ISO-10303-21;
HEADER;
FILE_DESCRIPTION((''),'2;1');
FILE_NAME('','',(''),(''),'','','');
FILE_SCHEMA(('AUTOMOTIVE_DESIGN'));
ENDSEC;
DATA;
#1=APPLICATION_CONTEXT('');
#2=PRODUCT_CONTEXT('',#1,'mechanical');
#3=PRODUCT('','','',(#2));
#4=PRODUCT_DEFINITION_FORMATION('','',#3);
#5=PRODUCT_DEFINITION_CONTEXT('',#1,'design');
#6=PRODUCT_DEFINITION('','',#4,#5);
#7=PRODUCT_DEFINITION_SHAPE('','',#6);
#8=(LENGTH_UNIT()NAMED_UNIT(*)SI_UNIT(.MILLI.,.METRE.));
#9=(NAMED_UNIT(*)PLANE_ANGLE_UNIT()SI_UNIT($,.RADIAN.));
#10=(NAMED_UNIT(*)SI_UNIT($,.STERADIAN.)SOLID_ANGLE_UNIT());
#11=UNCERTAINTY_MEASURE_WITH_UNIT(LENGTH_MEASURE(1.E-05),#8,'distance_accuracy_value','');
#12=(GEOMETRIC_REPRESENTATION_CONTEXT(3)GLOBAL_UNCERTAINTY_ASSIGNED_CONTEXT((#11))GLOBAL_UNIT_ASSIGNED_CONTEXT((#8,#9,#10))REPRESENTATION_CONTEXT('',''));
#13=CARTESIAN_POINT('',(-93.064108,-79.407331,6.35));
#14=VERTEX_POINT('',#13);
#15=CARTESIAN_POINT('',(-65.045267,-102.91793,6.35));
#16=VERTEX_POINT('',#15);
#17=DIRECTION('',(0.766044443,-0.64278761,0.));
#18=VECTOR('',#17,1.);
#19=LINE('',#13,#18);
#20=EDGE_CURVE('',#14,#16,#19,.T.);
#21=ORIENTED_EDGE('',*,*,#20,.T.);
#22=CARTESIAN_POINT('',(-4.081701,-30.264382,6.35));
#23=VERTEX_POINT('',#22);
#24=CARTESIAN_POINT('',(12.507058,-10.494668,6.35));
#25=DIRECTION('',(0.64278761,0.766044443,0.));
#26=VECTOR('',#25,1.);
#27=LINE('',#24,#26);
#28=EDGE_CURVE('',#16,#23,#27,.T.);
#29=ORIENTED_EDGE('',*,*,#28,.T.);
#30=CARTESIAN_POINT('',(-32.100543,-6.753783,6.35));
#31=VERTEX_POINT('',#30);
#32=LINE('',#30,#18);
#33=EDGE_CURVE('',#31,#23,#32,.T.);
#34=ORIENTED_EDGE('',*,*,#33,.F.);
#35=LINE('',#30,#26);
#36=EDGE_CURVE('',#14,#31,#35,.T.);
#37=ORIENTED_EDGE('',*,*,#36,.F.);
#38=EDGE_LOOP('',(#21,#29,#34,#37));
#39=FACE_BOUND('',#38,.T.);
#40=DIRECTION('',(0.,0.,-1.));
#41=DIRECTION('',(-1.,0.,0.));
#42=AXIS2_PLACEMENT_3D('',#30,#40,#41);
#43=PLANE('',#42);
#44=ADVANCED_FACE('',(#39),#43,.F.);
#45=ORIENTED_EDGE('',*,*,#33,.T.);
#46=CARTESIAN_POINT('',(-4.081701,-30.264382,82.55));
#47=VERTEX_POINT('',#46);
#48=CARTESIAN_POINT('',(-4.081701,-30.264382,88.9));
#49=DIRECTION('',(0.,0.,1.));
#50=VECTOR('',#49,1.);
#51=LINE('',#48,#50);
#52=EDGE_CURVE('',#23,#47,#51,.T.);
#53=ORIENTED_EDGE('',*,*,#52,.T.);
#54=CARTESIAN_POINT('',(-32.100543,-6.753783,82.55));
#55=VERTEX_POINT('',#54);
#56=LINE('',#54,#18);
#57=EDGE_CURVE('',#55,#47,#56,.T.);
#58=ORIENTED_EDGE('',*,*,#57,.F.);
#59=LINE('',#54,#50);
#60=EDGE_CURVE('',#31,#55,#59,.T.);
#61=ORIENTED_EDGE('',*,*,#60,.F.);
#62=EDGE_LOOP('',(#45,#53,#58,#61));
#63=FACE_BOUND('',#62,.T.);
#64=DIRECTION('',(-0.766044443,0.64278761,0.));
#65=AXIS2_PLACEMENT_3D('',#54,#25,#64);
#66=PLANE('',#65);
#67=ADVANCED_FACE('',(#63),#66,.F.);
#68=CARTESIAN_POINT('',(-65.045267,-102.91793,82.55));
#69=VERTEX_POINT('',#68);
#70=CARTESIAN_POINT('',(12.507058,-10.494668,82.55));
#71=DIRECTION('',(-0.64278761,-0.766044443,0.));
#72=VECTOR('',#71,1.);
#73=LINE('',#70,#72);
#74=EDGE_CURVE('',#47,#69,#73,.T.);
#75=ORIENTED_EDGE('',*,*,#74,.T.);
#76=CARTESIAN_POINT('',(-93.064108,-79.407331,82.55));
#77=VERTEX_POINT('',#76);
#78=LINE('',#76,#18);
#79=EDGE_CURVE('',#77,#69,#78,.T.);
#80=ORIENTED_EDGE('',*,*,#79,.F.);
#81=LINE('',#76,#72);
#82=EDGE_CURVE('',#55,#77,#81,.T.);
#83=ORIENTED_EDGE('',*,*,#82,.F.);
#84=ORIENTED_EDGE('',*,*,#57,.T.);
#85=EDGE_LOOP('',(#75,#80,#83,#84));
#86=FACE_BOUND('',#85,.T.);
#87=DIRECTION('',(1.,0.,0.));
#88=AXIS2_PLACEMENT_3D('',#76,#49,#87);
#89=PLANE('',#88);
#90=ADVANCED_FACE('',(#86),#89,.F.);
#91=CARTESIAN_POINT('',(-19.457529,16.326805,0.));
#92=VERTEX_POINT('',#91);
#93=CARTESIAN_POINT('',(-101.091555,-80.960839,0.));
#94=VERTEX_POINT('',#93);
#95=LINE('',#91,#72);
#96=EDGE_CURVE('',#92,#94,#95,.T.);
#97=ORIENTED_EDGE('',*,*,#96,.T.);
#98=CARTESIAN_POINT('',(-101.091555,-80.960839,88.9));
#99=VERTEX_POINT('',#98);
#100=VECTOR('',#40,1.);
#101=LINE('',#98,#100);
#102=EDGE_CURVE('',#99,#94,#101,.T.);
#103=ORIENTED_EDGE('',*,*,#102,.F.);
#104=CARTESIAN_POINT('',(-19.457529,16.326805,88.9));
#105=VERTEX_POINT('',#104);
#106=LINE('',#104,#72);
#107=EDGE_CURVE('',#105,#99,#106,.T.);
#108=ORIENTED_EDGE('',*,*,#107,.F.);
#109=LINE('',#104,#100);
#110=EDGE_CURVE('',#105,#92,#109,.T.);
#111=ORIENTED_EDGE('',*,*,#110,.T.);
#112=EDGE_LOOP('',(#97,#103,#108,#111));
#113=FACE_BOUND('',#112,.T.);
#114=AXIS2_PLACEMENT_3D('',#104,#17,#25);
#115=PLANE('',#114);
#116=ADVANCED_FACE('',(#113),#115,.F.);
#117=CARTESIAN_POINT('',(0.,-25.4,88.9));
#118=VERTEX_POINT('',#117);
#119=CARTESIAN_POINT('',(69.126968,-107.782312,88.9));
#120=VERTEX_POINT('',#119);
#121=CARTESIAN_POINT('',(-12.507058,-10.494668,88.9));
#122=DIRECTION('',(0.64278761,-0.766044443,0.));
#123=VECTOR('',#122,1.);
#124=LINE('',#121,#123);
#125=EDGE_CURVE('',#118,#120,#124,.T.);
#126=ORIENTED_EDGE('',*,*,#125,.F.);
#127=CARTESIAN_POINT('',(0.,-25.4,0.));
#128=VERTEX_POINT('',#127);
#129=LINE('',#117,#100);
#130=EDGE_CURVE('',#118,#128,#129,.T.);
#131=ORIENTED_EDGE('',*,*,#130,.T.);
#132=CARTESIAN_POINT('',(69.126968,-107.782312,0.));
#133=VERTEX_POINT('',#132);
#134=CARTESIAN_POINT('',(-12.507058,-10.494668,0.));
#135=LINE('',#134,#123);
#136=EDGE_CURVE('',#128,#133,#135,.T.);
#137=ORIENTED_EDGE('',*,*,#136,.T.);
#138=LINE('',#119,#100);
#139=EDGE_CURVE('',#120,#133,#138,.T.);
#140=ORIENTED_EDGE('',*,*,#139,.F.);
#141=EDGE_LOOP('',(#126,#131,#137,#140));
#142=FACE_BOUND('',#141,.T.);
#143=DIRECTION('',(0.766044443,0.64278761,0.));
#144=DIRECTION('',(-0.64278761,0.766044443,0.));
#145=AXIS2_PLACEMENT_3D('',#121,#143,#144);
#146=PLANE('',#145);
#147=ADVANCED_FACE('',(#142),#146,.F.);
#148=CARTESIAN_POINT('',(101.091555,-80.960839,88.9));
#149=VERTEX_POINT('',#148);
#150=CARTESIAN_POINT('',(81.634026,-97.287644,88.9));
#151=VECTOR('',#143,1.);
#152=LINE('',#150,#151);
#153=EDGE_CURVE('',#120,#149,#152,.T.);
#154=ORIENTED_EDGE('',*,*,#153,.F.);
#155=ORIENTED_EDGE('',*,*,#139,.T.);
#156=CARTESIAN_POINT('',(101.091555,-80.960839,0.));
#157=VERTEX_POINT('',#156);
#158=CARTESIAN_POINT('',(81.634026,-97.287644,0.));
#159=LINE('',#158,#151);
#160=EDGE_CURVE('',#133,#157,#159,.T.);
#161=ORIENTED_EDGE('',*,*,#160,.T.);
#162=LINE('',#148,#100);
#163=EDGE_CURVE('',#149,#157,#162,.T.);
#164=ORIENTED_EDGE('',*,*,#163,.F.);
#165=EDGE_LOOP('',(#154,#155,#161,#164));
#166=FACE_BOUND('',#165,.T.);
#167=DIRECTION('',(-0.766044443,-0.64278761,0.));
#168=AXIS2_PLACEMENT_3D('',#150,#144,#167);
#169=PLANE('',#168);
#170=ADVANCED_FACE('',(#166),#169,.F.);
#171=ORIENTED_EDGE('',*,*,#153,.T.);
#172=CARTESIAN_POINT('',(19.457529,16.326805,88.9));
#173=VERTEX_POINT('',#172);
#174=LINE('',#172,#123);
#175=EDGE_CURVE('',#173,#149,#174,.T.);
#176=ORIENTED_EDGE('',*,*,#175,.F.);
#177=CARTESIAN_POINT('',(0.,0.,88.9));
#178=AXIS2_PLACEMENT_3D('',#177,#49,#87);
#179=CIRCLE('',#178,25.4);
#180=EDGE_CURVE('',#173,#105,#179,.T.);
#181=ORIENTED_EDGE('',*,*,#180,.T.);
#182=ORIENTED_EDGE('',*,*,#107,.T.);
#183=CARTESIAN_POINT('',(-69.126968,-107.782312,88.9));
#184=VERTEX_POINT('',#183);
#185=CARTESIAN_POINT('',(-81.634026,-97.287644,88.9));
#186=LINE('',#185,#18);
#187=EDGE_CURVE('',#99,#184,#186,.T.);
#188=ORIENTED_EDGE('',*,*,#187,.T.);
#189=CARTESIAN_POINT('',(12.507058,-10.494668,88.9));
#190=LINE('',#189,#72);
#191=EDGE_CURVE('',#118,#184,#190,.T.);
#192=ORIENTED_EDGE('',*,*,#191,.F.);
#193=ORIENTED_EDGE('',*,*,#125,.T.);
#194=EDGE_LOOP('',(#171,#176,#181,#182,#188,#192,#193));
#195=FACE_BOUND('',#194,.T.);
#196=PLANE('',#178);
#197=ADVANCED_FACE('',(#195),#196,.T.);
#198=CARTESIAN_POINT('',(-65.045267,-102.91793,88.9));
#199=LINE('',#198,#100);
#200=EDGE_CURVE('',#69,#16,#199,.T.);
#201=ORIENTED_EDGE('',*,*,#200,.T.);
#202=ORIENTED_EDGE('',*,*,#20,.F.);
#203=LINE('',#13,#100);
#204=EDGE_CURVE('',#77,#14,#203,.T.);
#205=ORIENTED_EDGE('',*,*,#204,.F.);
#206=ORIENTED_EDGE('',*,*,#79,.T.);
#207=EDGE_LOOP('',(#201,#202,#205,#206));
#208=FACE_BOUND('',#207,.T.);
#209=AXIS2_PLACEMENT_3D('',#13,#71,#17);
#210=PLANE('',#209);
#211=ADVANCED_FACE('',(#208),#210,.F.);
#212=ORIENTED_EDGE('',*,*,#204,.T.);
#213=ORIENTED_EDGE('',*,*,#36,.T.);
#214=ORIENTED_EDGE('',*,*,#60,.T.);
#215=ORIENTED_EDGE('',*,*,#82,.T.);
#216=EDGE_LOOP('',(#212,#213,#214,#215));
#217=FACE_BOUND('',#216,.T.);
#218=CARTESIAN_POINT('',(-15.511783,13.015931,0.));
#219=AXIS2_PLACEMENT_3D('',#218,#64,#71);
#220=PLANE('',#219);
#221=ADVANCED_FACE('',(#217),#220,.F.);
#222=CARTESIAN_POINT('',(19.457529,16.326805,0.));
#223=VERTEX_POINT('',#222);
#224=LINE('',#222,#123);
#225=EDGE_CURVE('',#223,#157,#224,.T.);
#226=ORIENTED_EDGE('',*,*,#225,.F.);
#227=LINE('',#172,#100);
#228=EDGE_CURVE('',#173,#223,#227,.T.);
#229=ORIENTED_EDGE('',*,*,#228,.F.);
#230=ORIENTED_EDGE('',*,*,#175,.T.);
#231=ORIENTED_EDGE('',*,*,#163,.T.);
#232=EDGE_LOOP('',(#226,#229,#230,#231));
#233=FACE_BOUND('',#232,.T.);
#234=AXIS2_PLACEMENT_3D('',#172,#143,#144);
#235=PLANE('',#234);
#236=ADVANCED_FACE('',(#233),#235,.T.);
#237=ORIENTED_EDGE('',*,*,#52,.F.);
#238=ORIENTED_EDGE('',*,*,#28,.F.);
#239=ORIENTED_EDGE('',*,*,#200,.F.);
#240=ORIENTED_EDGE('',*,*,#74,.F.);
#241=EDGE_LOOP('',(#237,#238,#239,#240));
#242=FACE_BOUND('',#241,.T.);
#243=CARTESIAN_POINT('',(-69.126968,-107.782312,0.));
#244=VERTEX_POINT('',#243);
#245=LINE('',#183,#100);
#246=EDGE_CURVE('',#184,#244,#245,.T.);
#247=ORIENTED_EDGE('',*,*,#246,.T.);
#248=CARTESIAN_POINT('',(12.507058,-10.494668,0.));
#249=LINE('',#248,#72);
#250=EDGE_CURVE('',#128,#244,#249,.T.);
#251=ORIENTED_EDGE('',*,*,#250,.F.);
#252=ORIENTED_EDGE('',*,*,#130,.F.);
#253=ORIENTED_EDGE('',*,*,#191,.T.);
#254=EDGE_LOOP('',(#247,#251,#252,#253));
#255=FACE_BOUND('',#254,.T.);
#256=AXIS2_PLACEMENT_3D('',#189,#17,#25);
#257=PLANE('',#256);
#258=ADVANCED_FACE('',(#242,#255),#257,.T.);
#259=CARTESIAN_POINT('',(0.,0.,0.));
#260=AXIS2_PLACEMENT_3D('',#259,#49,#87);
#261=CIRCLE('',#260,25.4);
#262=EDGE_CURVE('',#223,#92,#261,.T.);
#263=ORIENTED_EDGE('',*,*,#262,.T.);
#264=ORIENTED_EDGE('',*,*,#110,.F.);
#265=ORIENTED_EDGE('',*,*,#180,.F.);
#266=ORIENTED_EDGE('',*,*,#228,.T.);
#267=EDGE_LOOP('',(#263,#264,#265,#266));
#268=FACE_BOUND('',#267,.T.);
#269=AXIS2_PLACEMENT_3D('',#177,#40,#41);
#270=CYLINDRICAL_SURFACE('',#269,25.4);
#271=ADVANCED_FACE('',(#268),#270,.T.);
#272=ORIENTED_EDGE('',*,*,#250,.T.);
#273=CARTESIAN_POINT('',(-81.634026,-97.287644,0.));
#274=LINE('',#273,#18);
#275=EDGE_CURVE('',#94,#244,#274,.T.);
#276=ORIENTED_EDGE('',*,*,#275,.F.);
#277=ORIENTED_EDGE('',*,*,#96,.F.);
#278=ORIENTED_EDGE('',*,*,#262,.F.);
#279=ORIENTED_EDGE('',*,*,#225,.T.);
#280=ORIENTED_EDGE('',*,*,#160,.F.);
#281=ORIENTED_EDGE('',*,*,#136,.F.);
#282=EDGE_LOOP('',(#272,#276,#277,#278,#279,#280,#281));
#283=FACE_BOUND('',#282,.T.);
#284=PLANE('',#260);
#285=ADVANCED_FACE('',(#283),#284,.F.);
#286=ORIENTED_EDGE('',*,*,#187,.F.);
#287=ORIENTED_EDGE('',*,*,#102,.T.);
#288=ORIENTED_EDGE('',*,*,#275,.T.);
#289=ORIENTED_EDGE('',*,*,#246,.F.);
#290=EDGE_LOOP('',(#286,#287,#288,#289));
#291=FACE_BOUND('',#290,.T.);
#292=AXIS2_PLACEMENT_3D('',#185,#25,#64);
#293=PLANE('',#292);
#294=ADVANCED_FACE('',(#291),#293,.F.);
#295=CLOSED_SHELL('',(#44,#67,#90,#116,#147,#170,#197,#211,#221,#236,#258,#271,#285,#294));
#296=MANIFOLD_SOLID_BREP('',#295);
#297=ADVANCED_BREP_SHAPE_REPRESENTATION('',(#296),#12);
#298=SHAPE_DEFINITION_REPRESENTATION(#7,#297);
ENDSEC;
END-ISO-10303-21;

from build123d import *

# Parameters (mm, degrees)
BOSS_EXTRUDE1_DEPTH     = 88.9
CUT_EXTRUDE1_DEPTH      = 3.048
CUT_EXTRUDE1_DEPTH_BACK = 36.576
SKETCH3_W               = 76.2
SKETCH3_H               = 94.842471145


with BuildPart() as part:
    # Sketch1 → Boss-Extrude1 (new body)
    with BuildSketch(Plane.XY):
        with BuildLine():
            ThreePointArc((25.4, 0), (17.960512242, -17.960512242), (0, -25.4))
            Line((0, -25.4), (69.126967967, -107.78231242))
            Line((69.126967967, -107.78231242), (101.091555285, -80.96083899))
            Line((101.091555285, -80.96083899), (19.457528855, 16.326805286))
            ThreePointArc((19.457528855, 16.326805286), (23.868192568, 8.68731164), (25.4, 0))
        make_face()
        with BuildLine():
            ThreePointArc((19.457528855, 16.326805286), (0, 25.4), (-19.457528855, 16.326805286))
            Line((-19.457528855, 16.326805286), (0, 0))
            Line((0, 0), (19.457528855, 16.326805286))
        make_face()
        with BuildLine():
            Line((12.507058463, -10.494668144), (0, -25.4))
            ThreePointArc((0, -25.4), (17.960512242, -17.960512242), (25.4, 0))
            ThreePointArc((25.4, 0), (23.868192568, 8.68731164), (19.457528855, 16.326805286))
            Line((19.457528855, 16.326805286), (0, 0))
            Line((0, 0), (12.507058463, -10.494668144))
        make_face()
        Polygon((-12.507058463, -10.494668144), (0, -25.4), (12.507058463, -10.494668144), (0, 0), align=None)
        with BuildLine():
            ThreePointArc((-19.457528855, 16.326805286), (-23.020217791, -10.734503848), (0, -25.4))
            Line((0, -25.4), (-12.507058463, -10.494668144))
            Line((-12.507058463, -10.494668144), (0, 0))
            Line((0, 0), (-19.457528855, 16.326805286))
        make_face()
        with BuildLine():
            Line((-69.126967967, -107.78231242), (0, -25.4))
            ThreePointArc((0, -25.4), (-23.020217791, -10.734503848), (-19.457528855, 16.326805286))
            Line((-19.457528855, 16.326805286), (-101.091555285, -80.96083899))
            Line((-101.091555285, -80.96083899), (-69.126967967, -107.78231242))
        make_face()
    extrude(amount=BOSS_EXTRUDE1_DEPTH)

    # Sketch3 → Cut-Extrude1 (cut, two sides: drawn at the far end of the back side and taken through both)
    with BuildSketch(Plane(origin=(12.507058463, -10.494668144, 0), x_dir=(0, 0, -1), z_dir=(0.7660444431189793, -0.6427876096865378, 0)).offset(-CUT_EXTRUDE1_DEPTH_BACK)):
        with Locations((-44.45, -73.228764428)):
            Rectangle(SKETCH3_W, SKETCH3_H)
    extrude(amount=CUT_EXTRUDE1_DEPTH + CUT_EXTRUDE1_DEPTH_BACK, mode=Mode.SUBTRACT)


solid = part.part
